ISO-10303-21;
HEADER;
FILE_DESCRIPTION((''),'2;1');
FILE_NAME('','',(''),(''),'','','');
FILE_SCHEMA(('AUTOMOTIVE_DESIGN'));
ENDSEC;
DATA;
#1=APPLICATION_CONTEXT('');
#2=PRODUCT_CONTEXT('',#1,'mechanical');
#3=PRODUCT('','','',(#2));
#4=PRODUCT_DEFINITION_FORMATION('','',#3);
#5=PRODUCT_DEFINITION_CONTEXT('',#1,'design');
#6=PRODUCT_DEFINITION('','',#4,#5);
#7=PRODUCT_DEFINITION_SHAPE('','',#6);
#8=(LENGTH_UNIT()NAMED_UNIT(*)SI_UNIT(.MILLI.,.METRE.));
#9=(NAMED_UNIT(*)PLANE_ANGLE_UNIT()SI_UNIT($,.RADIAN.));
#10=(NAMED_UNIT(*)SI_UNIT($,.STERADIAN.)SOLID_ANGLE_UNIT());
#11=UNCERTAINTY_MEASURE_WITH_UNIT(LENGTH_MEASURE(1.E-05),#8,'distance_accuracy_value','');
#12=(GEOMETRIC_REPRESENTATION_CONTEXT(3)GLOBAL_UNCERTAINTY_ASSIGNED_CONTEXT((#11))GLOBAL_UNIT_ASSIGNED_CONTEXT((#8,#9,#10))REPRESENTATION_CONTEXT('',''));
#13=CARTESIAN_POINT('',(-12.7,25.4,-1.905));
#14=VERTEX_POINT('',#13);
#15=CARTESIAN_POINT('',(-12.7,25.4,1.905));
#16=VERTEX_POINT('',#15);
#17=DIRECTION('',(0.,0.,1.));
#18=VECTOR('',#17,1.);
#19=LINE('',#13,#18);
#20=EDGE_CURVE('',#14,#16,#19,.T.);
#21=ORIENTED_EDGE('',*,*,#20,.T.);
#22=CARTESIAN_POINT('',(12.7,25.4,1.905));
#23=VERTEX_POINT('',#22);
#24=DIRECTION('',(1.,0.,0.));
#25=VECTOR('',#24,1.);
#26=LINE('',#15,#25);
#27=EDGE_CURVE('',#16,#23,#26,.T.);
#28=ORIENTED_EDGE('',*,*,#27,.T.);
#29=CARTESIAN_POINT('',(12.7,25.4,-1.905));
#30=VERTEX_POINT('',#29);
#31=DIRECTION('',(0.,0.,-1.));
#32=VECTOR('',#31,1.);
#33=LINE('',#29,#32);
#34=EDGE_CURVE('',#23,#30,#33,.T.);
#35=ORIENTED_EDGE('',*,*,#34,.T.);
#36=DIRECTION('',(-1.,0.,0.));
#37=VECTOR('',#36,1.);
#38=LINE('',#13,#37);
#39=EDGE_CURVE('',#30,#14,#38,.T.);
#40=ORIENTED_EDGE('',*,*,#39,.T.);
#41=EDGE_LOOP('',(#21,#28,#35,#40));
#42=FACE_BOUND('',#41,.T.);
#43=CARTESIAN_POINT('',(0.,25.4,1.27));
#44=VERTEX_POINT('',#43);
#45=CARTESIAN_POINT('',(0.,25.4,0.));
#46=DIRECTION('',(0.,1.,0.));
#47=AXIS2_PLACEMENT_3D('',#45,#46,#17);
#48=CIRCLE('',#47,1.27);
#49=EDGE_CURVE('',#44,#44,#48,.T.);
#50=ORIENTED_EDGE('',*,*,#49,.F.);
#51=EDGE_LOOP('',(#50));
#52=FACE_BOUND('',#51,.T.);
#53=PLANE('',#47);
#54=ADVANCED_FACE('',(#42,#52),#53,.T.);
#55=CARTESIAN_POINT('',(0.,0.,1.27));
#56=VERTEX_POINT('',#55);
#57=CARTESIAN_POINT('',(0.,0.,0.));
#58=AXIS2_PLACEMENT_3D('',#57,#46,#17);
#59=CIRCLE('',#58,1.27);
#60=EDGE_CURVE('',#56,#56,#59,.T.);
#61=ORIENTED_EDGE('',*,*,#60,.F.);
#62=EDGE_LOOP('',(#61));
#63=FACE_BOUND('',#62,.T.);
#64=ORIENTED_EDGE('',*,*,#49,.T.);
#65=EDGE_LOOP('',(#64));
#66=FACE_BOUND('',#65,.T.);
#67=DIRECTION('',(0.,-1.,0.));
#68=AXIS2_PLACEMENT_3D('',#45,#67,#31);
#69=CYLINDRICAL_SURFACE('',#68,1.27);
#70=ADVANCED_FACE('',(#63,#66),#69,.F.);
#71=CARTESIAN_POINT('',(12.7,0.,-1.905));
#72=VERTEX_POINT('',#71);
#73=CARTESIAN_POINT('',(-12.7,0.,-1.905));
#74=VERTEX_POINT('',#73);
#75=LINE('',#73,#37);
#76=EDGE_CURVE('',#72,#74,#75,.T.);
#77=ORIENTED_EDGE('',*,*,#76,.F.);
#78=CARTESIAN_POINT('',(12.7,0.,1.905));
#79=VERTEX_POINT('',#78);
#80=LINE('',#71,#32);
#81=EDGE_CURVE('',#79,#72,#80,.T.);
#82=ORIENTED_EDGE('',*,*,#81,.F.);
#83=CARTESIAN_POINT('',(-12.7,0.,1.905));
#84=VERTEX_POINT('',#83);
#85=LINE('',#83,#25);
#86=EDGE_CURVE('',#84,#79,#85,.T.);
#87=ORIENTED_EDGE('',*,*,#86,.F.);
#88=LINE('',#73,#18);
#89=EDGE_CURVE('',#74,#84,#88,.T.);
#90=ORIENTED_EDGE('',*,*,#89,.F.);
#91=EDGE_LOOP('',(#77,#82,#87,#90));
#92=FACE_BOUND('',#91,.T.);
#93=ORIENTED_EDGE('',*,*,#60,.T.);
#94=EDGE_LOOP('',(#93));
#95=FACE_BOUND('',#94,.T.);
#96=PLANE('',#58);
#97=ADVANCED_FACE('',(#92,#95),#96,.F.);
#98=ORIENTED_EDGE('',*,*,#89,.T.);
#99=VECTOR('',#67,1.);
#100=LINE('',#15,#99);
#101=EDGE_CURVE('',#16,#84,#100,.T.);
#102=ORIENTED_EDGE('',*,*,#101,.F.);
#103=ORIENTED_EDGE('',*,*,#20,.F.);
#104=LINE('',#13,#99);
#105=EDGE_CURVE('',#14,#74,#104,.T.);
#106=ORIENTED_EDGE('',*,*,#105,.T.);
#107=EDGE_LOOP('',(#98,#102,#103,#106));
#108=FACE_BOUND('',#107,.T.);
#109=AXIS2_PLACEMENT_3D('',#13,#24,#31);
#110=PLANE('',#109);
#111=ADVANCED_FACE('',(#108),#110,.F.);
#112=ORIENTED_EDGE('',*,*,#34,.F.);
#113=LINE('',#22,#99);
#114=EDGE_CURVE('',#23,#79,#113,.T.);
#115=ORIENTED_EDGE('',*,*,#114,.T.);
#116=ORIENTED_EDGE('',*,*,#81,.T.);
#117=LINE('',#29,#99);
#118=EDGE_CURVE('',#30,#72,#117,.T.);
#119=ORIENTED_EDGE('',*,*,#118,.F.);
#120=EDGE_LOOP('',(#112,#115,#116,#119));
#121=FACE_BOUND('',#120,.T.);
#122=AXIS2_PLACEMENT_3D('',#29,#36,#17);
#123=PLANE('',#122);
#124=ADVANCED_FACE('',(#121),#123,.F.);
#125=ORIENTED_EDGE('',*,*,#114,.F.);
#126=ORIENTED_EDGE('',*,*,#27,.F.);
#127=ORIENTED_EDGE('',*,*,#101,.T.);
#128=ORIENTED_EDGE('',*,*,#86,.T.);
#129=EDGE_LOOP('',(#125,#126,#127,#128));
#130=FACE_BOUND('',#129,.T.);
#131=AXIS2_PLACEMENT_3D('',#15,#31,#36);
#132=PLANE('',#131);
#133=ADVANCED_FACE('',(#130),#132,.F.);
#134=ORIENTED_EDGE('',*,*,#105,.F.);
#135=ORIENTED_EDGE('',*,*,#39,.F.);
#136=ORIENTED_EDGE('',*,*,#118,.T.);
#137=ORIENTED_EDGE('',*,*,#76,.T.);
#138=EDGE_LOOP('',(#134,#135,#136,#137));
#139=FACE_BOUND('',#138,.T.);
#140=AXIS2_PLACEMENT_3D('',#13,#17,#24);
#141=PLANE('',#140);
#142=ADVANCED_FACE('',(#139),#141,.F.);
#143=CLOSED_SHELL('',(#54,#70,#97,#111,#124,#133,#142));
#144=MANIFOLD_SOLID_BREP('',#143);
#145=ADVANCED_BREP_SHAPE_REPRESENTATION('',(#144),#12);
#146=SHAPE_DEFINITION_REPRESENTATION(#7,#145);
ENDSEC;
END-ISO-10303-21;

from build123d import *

# Parameters (mm, degrees)
SKETCH1_W           = 25.4
SKETCH1_H           = 3.81
SKETCH1_R           = 1.27
BOSS_EXTRUDE1_DEPTH = 25.4


with BuildPart() as part:
    # Sketch1 → Boss-Extrude1 (new body)
    with BuildSketch(Plane(origin=(0, 0, 0), x_dir=(1, 0, 0), z_dir=(0, 1, 0))):
        Rectangle(SKETCH1_W, SKETCH1_H)
        with Locations(Location((0, 0, 0), (0, 0, 270))):
            Circle(SKETCH1_R, mode=Mode.SUBTRACT)
    extrude(amount=BOSS_EXTRUDE1_DEPTH)


solid = part.part
